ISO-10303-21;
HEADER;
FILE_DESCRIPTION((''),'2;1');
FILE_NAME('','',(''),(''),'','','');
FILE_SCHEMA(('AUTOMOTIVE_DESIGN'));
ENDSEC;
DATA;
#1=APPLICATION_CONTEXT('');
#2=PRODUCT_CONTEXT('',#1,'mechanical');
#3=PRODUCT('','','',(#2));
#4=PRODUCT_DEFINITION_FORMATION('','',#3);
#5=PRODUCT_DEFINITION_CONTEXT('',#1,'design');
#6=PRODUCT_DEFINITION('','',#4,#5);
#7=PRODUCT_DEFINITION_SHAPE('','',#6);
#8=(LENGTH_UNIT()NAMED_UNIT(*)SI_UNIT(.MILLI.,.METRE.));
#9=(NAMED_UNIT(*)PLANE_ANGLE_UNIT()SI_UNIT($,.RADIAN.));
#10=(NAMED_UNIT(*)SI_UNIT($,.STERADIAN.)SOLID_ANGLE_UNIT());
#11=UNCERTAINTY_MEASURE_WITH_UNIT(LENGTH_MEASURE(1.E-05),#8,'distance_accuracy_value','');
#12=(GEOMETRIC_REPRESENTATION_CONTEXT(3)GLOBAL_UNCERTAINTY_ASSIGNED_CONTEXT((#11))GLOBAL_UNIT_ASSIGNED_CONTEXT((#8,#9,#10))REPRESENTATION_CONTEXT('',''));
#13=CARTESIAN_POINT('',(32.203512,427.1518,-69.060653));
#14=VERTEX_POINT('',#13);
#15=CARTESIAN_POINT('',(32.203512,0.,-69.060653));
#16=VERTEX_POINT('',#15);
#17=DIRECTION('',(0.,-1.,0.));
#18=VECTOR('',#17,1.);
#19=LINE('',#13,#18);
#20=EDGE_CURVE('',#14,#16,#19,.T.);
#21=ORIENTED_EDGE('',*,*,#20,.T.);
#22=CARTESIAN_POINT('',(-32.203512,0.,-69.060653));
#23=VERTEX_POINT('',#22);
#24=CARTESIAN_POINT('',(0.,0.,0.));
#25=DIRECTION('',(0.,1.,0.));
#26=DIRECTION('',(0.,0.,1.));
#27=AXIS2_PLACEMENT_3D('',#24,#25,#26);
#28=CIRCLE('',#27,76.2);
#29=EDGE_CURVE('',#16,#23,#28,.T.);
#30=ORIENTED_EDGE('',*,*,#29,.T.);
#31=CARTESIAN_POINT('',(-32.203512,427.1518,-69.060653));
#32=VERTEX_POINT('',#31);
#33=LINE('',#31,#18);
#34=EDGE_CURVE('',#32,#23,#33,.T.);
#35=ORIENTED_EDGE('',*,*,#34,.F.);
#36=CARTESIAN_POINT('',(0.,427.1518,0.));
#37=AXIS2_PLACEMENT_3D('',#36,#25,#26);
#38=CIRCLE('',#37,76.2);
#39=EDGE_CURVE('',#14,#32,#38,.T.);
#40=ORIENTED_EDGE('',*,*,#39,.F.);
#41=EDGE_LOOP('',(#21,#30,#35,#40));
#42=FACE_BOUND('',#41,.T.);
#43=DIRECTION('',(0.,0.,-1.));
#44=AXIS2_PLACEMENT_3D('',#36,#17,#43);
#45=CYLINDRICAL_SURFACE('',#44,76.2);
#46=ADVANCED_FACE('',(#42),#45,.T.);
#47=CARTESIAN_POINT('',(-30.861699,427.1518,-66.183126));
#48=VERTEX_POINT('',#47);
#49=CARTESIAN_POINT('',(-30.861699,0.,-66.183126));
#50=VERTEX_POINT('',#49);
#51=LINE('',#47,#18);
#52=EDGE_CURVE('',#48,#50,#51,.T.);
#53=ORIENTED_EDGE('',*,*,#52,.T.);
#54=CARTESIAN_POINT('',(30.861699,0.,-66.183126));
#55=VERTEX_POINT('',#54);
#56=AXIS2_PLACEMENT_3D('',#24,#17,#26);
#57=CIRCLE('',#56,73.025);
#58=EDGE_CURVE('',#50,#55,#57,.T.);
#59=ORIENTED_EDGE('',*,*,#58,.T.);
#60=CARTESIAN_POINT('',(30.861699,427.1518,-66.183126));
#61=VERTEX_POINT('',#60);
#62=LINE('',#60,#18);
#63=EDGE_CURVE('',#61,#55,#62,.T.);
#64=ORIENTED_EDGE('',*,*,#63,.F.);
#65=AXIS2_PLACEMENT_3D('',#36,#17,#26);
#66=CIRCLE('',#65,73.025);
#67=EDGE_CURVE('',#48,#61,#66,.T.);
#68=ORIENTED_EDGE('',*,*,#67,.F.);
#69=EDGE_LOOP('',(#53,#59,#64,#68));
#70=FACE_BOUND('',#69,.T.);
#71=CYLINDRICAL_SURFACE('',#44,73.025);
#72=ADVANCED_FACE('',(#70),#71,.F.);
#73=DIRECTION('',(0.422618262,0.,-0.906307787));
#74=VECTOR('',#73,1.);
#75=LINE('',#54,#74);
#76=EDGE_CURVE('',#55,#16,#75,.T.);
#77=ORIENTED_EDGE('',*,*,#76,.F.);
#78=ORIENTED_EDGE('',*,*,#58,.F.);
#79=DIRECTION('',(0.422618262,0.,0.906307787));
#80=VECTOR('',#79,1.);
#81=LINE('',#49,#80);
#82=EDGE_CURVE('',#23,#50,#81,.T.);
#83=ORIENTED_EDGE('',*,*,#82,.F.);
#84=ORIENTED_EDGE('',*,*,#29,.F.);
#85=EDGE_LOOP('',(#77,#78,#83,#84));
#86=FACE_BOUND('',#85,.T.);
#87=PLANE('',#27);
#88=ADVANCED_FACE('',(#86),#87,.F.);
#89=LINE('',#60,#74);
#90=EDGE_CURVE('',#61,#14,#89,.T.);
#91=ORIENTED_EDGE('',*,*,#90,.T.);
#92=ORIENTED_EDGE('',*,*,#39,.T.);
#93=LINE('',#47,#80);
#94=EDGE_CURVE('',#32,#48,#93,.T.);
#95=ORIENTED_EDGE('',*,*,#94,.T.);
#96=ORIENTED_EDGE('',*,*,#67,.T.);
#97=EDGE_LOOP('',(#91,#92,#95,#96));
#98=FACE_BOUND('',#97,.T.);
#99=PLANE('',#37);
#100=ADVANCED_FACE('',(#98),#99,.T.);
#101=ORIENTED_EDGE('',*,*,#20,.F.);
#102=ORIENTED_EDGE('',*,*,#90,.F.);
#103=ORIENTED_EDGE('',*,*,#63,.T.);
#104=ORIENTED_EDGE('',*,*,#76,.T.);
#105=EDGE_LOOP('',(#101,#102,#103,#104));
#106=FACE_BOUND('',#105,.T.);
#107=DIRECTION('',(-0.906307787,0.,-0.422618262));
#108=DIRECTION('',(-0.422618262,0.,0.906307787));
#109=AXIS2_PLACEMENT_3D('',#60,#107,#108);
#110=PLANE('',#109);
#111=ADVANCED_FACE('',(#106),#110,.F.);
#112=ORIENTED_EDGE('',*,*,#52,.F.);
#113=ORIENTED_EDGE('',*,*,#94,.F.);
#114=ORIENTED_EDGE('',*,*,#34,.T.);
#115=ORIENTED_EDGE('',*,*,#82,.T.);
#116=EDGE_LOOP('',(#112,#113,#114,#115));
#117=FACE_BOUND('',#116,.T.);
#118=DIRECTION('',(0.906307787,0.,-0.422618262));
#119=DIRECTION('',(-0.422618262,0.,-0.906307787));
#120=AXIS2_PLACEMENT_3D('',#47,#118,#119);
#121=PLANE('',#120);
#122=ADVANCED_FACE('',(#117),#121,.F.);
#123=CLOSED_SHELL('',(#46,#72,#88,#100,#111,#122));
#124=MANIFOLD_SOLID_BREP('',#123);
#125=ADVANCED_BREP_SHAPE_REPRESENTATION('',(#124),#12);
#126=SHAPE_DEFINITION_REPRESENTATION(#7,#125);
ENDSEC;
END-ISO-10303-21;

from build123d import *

# Parameters (mm, degrees)
BOSS_EXTRUDE1_DEPTH = 427.1518


with BuildPart() as part:
    # Sketch1 → Boss-Extrude1 (new body)
    with BuildSketch(Plane(origin=(0, 0, 0), x_dir=(1, 0, 0), z_dir=(0, 1, 0))):
        with BuildLine():
            Line((-30.861698564, 66.183126148), (-32.203511545, 69.060653372))
            ThreePointArc((-32.203511545, 69.060653372), (0, 76.2), (32.203511545, 69.060653372))
            Line((32.203511545, 69.060653372), (30.861698564, 66.183126148))
            ThreePointArc((30.861698564, 66.183126148), (0, 73.025), (-30.861698564, 66.183126148))
        make_face()
    extrude(amount=BOSS_EXTRUDE1_DEPTH)


solid = part.part
